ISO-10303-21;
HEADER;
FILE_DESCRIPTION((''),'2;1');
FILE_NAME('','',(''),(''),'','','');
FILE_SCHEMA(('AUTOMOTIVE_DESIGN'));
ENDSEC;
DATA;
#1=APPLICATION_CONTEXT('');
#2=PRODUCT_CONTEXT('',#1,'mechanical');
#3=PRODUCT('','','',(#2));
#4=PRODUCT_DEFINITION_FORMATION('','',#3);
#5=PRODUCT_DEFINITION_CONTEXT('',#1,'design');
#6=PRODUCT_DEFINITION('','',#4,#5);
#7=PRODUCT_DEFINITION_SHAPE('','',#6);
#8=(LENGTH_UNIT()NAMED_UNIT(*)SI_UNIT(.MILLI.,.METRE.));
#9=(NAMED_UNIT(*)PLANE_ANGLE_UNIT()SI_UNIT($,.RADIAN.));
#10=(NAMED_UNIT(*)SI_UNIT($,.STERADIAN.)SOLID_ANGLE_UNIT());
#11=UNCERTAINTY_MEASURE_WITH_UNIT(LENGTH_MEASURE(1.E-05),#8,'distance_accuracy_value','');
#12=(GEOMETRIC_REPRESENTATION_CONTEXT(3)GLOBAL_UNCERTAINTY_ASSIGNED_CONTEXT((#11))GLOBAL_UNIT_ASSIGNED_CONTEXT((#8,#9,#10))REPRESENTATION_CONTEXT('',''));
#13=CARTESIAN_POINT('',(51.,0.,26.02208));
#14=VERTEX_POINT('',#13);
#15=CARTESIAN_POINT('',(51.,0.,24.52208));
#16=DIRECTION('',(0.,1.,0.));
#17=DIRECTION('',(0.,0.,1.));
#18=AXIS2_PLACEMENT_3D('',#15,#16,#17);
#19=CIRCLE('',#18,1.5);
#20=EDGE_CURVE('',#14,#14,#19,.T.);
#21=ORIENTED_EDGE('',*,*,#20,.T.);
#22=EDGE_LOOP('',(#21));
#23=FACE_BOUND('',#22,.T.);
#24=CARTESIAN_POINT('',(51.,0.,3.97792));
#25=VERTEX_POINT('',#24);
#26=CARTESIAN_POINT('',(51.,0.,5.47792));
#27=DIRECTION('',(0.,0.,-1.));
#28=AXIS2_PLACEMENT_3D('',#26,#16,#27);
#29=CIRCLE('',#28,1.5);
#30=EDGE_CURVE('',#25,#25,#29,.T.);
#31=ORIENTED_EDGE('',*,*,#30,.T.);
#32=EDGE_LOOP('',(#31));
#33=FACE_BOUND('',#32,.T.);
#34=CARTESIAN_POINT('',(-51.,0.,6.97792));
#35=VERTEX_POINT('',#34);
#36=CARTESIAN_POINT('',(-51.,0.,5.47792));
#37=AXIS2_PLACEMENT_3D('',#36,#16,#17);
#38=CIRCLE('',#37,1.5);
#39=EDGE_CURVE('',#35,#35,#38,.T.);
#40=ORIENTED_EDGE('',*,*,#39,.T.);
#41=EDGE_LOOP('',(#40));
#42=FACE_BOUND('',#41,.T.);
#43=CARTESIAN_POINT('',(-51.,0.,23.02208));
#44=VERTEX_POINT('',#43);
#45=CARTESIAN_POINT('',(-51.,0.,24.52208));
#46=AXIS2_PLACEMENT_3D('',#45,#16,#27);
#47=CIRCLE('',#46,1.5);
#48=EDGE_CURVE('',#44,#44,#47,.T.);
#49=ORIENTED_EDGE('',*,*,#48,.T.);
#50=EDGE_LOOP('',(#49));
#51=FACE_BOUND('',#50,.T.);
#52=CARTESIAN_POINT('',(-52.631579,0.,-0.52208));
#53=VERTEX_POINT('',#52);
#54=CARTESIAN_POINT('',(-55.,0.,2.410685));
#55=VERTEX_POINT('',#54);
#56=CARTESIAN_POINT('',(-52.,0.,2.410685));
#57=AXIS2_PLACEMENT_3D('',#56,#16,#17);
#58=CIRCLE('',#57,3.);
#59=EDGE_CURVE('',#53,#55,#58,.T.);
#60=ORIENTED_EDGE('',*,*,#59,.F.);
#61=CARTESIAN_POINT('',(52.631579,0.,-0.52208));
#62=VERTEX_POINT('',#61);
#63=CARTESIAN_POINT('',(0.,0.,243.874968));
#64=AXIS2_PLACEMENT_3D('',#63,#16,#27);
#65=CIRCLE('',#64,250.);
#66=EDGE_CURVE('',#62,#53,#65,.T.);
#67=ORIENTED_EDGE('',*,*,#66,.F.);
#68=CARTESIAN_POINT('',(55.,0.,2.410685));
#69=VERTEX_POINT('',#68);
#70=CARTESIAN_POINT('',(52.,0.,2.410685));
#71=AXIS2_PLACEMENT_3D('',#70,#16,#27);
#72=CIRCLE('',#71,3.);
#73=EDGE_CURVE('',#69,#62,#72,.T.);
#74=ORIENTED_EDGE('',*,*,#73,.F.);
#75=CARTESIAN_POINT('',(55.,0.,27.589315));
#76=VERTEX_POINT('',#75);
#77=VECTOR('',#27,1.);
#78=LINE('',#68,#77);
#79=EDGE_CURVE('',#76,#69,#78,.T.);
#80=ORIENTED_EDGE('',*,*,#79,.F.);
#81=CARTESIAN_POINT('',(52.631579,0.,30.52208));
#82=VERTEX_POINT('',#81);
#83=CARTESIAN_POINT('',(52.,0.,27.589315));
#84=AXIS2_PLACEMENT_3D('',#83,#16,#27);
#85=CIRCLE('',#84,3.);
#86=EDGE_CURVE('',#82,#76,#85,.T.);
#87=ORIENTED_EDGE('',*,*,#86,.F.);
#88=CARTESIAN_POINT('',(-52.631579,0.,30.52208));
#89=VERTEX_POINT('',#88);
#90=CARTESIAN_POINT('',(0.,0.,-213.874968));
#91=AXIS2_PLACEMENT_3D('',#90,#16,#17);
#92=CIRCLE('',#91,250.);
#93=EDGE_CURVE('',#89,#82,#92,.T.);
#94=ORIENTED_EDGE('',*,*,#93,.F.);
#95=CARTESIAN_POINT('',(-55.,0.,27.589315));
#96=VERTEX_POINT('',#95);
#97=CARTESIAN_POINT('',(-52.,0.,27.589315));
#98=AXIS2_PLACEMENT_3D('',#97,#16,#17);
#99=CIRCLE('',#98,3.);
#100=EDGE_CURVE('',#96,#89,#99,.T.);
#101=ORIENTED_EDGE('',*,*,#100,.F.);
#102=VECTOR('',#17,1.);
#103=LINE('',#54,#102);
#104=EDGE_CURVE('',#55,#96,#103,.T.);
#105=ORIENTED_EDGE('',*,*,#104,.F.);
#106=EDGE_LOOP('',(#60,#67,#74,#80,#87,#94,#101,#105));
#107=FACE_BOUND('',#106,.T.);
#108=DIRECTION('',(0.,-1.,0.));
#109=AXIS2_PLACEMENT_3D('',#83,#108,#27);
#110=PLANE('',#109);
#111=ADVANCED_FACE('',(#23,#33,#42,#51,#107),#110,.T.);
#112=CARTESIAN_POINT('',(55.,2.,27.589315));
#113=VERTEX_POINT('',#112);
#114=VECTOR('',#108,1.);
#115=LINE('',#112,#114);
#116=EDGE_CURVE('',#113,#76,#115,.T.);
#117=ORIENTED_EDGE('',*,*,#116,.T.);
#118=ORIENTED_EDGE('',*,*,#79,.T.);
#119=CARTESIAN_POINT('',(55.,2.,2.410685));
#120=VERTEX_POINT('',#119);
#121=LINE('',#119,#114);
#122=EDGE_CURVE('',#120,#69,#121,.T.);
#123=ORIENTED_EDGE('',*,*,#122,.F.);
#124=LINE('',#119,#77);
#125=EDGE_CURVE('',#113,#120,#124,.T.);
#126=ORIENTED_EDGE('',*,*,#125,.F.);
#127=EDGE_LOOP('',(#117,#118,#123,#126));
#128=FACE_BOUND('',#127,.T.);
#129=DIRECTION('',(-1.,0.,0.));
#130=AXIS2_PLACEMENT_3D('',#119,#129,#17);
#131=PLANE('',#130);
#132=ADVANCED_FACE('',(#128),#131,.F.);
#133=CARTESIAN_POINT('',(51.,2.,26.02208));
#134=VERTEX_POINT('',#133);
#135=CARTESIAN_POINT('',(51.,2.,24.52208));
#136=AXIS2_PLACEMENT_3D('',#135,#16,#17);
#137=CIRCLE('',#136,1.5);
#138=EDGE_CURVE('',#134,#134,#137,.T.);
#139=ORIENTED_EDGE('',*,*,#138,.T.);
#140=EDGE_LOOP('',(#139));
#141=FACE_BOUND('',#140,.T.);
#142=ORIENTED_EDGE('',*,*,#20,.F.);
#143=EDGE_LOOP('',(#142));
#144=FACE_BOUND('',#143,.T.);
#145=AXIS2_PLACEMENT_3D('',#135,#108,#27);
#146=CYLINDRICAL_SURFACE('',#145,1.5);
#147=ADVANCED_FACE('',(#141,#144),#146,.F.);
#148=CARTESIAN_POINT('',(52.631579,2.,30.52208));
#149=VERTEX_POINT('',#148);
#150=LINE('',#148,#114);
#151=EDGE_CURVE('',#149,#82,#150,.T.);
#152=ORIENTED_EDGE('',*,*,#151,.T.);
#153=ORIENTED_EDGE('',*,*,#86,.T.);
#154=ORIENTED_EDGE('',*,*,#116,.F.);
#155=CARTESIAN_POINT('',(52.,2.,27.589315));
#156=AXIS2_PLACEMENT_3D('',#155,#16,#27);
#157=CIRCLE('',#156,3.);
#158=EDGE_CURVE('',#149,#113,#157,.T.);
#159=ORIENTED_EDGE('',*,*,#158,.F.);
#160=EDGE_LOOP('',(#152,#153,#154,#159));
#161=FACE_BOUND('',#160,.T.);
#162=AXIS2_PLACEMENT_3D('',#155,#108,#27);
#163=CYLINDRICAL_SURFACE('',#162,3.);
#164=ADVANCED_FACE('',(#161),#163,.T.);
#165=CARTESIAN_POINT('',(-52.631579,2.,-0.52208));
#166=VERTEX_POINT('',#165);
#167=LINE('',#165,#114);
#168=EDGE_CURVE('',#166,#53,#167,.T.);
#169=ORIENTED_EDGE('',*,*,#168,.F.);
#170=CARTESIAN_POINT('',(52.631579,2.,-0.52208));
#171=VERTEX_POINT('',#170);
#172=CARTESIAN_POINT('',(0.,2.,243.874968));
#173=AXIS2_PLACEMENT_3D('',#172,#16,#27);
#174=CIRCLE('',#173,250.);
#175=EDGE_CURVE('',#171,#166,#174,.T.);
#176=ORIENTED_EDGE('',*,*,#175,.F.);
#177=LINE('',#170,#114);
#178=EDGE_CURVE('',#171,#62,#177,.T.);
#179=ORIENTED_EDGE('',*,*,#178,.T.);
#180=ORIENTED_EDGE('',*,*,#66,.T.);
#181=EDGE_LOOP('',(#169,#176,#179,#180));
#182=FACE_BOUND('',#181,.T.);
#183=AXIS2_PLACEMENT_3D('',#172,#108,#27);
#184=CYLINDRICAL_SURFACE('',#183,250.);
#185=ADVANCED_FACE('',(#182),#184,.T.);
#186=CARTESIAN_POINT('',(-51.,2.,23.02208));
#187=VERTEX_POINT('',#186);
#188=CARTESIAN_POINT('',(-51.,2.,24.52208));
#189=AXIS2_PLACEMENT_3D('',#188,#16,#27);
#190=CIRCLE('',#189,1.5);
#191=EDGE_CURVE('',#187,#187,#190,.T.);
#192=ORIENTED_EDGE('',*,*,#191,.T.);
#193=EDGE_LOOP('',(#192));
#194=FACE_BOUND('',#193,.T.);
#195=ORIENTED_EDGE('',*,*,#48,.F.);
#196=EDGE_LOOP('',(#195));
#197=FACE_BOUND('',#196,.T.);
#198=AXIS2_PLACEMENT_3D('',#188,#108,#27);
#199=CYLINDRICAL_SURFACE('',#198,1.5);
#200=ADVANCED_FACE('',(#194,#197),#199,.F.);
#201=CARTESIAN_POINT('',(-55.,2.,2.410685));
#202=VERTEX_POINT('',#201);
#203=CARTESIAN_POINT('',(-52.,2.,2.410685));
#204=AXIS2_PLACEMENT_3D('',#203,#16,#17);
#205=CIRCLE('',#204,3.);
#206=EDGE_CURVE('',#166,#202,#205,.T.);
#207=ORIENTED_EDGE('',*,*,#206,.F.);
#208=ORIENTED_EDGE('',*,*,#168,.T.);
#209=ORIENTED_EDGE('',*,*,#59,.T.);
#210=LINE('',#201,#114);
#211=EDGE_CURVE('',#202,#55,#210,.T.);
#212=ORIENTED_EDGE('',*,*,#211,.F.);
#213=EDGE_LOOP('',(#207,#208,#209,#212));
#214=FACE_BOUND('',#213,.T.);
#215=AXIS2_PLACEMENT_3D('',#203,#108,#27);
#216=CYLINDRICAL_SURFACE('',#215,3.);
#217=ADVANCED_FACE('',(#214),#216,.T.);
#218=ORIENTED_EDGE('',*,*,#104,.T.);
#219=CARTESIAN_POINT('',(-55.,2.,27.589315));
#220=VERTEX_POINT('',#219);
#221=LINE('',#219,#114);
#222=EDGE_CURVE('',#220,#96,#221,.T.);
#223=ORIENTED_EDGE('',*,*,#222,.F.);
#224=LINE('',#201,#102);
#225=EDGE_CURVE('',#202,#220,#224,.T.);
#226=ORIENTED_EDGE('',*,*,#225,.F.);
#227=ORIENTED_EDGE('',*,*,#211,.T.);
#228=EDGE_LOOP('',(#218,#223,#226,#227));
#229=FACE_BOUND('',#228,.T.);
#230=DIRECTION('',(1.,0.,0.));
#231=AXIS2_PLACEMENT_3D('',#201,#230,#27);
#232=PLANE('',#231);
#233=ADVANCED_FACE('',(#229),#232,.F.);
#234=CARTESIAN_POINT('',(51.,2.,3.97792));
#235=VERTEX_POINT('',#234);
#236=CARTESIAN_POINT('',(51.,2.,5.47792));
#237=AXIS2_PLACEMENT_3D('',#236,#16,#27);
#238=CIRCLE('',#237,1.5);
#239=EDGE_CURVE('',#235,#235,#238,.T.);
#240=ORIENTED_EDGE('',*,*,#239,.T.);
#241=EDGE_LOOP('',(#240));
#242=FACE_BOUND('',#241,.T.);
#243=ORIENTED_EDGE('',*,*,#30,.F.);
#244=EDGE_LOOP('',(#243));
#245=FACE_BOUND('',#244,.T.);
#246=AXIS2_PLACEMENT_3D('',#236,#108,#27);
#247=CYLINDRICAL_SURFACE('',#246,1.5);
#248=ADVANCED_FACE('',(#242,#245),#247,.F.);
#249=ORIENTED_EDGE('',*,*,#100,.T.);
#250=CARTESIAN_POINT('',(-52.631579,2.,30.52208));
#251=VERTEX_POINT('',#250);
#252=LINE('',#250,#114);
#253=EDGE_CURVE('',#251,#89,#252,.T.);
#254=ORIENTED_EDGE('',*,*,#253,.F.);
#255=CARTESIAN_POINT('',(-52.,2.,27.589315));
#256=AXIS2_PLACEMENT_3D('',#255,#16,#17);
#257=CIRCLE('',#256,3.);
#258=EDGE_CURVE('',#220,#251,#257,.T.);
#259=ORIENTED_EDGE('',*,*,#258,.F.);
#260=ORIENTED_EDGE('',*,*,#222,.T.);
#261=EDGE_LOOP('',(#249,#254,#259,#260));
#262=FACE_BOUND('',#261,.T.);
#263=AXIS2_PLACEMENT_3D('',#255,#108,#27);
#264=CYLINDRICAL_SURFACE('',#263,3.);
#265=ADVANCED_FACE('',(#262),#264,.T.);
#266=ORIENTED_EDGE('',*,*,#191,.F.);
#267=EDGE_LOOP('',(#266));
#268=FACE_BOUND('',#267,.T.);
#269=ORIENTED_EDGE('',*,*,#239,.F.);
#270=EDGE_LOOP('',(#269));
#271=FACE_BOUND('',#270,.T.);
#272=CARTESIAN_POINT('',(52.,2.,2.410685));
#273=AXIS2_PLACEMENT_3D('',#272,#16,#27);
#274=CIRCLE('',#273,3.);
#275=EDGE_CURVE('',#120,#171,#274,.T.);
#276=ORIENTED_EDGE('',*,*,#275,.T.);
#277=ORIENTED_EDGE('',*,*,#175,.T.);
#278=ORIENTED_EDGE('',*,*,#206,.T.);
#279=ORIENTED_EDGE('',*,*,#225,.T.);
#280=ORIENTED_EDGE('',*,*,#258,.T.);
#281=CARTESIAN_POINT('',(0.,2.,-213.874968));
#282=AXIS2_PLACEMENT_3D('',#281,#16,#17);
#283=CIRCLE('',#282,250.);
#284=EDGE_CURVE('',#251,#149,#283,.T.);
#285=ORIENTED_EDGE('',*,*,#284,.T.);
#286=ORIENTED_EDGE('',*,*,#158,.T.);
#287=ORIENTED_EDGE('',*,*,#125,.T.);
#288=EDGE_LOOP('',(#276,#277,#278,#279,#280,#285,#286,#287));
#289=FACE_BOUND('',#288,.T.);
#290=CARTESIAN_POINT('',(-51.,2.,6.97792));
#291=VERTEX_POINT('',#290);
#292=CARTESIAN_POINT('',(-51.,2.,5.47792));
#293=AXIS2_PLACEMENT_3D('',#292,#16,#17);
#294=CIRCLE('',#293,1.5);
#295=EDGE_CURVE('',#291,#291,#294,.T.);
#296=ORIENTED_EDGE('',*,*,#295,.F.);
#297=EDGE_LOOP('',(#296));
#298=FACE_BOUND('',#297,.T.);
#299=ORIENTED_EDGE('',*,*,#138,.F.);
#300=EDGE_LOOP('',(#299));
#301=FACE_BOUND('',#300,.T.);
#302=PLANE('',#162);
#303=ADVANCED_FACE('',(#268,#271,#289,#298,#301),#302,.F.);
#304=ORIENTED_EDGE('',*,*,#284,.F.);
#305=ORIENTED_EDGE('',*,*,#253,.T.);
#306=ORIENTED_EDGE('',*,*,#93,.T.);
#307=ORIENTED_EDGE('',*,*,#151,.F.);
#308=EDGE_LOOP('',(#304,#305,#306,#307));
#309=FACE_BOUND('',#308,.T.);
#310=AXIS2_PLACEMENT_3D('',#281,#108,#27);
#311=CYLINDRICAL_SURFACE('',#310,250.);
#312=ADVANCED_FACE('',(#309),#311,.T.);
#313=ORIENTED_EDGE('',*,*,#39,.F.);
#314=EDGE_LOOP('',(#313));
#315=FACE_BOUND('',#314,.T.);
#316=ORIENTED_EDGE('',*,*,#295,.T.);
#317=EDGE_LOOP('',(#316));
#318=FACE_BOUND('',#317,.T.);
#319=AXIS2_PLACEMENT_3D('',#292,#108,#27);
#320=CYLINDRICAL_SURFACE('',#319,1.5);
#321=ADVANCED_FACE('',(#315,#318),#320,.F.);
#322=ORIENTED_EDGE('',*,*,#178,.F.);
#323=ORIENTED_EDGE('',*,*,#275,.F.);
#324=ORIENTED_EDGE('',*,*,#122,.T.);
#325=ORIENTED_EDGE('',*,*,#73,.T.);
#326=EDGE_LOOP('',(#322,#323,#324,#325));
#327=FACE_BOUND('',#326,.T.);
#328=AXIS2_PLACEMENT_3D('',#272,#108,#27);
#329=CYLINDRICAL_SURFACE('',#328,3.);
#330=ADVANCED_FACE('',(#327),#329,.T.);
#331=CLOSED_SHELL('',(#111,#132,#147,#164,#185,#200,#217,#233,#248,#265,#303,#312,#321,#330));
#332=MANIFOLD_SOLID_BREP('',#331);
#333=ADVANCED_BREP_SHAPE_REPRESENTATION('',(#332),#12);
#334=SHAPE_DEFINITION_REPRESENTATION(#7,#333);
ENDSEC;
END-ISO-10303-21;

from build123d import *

# Parameters (mm, degrees)
SKETCH_1_R      = 1.5
EXTRUDE_1_DEPTH = 2


with BuildPart() as part:
    # Эскиз1 → Бобышка-Вытянуть1 (new body)
    with BuildSketch(Plane(origin=(0, 0, 0), x_dir=(1, 0, 0), z_dir=(0, 1, 0))):
        with BuildLine():
            Line((-55, -2.410684892), (-55, -27.589315108))
            ThreePointArc((-55, -27.589315108), (-54.333959816, -29.474157695), (-52.631578947, -30.52207968))
            ThreePointArc((-52.631578947, -30.52207968), (0, -36.125032035), (52.631578947, -30.52207968))
            ThreePointArc((52.631578947, -30.52207968), (54.333959816, -29.474157695), (55, -27.589315108))
            Line((55, -27.589315108), (55, -2.410684892))
            ThreePointArc((55, -2.410684892), (54.333959816, -0.525842305), (52.631578947, 0.52207968))
            ThreePointArc((52.631578947, 0.52207968), (0, 6.125032035), (-52.631578947, 0.52207968))
            ThreePointArc((-52.631578947, 0.52207968), (-54.333959816, -0.525842305), (-55, -2.410684892))
        make_face()
        with Locations((-51, -5.47792032)):
            Circle(SKETCH_1_R, mode=Mode.SUBTRACT)
        with Locations((-51, -24.52207968)):
            Circle(SKETCH_1_R, mode=Mode.SUBTRACT)
        with Locations((51, -5.47792032)):
            Circle(SKETCH_1_R, mode=Mode.SUBTRACT)
        with Locations((51, -24.52207968)):
            Circle(SKETCH_1_R, mode=Mode.SUBTRACT)
    extrude(amount=EXTRUDE_1_DEPTH)


solid = part.part
